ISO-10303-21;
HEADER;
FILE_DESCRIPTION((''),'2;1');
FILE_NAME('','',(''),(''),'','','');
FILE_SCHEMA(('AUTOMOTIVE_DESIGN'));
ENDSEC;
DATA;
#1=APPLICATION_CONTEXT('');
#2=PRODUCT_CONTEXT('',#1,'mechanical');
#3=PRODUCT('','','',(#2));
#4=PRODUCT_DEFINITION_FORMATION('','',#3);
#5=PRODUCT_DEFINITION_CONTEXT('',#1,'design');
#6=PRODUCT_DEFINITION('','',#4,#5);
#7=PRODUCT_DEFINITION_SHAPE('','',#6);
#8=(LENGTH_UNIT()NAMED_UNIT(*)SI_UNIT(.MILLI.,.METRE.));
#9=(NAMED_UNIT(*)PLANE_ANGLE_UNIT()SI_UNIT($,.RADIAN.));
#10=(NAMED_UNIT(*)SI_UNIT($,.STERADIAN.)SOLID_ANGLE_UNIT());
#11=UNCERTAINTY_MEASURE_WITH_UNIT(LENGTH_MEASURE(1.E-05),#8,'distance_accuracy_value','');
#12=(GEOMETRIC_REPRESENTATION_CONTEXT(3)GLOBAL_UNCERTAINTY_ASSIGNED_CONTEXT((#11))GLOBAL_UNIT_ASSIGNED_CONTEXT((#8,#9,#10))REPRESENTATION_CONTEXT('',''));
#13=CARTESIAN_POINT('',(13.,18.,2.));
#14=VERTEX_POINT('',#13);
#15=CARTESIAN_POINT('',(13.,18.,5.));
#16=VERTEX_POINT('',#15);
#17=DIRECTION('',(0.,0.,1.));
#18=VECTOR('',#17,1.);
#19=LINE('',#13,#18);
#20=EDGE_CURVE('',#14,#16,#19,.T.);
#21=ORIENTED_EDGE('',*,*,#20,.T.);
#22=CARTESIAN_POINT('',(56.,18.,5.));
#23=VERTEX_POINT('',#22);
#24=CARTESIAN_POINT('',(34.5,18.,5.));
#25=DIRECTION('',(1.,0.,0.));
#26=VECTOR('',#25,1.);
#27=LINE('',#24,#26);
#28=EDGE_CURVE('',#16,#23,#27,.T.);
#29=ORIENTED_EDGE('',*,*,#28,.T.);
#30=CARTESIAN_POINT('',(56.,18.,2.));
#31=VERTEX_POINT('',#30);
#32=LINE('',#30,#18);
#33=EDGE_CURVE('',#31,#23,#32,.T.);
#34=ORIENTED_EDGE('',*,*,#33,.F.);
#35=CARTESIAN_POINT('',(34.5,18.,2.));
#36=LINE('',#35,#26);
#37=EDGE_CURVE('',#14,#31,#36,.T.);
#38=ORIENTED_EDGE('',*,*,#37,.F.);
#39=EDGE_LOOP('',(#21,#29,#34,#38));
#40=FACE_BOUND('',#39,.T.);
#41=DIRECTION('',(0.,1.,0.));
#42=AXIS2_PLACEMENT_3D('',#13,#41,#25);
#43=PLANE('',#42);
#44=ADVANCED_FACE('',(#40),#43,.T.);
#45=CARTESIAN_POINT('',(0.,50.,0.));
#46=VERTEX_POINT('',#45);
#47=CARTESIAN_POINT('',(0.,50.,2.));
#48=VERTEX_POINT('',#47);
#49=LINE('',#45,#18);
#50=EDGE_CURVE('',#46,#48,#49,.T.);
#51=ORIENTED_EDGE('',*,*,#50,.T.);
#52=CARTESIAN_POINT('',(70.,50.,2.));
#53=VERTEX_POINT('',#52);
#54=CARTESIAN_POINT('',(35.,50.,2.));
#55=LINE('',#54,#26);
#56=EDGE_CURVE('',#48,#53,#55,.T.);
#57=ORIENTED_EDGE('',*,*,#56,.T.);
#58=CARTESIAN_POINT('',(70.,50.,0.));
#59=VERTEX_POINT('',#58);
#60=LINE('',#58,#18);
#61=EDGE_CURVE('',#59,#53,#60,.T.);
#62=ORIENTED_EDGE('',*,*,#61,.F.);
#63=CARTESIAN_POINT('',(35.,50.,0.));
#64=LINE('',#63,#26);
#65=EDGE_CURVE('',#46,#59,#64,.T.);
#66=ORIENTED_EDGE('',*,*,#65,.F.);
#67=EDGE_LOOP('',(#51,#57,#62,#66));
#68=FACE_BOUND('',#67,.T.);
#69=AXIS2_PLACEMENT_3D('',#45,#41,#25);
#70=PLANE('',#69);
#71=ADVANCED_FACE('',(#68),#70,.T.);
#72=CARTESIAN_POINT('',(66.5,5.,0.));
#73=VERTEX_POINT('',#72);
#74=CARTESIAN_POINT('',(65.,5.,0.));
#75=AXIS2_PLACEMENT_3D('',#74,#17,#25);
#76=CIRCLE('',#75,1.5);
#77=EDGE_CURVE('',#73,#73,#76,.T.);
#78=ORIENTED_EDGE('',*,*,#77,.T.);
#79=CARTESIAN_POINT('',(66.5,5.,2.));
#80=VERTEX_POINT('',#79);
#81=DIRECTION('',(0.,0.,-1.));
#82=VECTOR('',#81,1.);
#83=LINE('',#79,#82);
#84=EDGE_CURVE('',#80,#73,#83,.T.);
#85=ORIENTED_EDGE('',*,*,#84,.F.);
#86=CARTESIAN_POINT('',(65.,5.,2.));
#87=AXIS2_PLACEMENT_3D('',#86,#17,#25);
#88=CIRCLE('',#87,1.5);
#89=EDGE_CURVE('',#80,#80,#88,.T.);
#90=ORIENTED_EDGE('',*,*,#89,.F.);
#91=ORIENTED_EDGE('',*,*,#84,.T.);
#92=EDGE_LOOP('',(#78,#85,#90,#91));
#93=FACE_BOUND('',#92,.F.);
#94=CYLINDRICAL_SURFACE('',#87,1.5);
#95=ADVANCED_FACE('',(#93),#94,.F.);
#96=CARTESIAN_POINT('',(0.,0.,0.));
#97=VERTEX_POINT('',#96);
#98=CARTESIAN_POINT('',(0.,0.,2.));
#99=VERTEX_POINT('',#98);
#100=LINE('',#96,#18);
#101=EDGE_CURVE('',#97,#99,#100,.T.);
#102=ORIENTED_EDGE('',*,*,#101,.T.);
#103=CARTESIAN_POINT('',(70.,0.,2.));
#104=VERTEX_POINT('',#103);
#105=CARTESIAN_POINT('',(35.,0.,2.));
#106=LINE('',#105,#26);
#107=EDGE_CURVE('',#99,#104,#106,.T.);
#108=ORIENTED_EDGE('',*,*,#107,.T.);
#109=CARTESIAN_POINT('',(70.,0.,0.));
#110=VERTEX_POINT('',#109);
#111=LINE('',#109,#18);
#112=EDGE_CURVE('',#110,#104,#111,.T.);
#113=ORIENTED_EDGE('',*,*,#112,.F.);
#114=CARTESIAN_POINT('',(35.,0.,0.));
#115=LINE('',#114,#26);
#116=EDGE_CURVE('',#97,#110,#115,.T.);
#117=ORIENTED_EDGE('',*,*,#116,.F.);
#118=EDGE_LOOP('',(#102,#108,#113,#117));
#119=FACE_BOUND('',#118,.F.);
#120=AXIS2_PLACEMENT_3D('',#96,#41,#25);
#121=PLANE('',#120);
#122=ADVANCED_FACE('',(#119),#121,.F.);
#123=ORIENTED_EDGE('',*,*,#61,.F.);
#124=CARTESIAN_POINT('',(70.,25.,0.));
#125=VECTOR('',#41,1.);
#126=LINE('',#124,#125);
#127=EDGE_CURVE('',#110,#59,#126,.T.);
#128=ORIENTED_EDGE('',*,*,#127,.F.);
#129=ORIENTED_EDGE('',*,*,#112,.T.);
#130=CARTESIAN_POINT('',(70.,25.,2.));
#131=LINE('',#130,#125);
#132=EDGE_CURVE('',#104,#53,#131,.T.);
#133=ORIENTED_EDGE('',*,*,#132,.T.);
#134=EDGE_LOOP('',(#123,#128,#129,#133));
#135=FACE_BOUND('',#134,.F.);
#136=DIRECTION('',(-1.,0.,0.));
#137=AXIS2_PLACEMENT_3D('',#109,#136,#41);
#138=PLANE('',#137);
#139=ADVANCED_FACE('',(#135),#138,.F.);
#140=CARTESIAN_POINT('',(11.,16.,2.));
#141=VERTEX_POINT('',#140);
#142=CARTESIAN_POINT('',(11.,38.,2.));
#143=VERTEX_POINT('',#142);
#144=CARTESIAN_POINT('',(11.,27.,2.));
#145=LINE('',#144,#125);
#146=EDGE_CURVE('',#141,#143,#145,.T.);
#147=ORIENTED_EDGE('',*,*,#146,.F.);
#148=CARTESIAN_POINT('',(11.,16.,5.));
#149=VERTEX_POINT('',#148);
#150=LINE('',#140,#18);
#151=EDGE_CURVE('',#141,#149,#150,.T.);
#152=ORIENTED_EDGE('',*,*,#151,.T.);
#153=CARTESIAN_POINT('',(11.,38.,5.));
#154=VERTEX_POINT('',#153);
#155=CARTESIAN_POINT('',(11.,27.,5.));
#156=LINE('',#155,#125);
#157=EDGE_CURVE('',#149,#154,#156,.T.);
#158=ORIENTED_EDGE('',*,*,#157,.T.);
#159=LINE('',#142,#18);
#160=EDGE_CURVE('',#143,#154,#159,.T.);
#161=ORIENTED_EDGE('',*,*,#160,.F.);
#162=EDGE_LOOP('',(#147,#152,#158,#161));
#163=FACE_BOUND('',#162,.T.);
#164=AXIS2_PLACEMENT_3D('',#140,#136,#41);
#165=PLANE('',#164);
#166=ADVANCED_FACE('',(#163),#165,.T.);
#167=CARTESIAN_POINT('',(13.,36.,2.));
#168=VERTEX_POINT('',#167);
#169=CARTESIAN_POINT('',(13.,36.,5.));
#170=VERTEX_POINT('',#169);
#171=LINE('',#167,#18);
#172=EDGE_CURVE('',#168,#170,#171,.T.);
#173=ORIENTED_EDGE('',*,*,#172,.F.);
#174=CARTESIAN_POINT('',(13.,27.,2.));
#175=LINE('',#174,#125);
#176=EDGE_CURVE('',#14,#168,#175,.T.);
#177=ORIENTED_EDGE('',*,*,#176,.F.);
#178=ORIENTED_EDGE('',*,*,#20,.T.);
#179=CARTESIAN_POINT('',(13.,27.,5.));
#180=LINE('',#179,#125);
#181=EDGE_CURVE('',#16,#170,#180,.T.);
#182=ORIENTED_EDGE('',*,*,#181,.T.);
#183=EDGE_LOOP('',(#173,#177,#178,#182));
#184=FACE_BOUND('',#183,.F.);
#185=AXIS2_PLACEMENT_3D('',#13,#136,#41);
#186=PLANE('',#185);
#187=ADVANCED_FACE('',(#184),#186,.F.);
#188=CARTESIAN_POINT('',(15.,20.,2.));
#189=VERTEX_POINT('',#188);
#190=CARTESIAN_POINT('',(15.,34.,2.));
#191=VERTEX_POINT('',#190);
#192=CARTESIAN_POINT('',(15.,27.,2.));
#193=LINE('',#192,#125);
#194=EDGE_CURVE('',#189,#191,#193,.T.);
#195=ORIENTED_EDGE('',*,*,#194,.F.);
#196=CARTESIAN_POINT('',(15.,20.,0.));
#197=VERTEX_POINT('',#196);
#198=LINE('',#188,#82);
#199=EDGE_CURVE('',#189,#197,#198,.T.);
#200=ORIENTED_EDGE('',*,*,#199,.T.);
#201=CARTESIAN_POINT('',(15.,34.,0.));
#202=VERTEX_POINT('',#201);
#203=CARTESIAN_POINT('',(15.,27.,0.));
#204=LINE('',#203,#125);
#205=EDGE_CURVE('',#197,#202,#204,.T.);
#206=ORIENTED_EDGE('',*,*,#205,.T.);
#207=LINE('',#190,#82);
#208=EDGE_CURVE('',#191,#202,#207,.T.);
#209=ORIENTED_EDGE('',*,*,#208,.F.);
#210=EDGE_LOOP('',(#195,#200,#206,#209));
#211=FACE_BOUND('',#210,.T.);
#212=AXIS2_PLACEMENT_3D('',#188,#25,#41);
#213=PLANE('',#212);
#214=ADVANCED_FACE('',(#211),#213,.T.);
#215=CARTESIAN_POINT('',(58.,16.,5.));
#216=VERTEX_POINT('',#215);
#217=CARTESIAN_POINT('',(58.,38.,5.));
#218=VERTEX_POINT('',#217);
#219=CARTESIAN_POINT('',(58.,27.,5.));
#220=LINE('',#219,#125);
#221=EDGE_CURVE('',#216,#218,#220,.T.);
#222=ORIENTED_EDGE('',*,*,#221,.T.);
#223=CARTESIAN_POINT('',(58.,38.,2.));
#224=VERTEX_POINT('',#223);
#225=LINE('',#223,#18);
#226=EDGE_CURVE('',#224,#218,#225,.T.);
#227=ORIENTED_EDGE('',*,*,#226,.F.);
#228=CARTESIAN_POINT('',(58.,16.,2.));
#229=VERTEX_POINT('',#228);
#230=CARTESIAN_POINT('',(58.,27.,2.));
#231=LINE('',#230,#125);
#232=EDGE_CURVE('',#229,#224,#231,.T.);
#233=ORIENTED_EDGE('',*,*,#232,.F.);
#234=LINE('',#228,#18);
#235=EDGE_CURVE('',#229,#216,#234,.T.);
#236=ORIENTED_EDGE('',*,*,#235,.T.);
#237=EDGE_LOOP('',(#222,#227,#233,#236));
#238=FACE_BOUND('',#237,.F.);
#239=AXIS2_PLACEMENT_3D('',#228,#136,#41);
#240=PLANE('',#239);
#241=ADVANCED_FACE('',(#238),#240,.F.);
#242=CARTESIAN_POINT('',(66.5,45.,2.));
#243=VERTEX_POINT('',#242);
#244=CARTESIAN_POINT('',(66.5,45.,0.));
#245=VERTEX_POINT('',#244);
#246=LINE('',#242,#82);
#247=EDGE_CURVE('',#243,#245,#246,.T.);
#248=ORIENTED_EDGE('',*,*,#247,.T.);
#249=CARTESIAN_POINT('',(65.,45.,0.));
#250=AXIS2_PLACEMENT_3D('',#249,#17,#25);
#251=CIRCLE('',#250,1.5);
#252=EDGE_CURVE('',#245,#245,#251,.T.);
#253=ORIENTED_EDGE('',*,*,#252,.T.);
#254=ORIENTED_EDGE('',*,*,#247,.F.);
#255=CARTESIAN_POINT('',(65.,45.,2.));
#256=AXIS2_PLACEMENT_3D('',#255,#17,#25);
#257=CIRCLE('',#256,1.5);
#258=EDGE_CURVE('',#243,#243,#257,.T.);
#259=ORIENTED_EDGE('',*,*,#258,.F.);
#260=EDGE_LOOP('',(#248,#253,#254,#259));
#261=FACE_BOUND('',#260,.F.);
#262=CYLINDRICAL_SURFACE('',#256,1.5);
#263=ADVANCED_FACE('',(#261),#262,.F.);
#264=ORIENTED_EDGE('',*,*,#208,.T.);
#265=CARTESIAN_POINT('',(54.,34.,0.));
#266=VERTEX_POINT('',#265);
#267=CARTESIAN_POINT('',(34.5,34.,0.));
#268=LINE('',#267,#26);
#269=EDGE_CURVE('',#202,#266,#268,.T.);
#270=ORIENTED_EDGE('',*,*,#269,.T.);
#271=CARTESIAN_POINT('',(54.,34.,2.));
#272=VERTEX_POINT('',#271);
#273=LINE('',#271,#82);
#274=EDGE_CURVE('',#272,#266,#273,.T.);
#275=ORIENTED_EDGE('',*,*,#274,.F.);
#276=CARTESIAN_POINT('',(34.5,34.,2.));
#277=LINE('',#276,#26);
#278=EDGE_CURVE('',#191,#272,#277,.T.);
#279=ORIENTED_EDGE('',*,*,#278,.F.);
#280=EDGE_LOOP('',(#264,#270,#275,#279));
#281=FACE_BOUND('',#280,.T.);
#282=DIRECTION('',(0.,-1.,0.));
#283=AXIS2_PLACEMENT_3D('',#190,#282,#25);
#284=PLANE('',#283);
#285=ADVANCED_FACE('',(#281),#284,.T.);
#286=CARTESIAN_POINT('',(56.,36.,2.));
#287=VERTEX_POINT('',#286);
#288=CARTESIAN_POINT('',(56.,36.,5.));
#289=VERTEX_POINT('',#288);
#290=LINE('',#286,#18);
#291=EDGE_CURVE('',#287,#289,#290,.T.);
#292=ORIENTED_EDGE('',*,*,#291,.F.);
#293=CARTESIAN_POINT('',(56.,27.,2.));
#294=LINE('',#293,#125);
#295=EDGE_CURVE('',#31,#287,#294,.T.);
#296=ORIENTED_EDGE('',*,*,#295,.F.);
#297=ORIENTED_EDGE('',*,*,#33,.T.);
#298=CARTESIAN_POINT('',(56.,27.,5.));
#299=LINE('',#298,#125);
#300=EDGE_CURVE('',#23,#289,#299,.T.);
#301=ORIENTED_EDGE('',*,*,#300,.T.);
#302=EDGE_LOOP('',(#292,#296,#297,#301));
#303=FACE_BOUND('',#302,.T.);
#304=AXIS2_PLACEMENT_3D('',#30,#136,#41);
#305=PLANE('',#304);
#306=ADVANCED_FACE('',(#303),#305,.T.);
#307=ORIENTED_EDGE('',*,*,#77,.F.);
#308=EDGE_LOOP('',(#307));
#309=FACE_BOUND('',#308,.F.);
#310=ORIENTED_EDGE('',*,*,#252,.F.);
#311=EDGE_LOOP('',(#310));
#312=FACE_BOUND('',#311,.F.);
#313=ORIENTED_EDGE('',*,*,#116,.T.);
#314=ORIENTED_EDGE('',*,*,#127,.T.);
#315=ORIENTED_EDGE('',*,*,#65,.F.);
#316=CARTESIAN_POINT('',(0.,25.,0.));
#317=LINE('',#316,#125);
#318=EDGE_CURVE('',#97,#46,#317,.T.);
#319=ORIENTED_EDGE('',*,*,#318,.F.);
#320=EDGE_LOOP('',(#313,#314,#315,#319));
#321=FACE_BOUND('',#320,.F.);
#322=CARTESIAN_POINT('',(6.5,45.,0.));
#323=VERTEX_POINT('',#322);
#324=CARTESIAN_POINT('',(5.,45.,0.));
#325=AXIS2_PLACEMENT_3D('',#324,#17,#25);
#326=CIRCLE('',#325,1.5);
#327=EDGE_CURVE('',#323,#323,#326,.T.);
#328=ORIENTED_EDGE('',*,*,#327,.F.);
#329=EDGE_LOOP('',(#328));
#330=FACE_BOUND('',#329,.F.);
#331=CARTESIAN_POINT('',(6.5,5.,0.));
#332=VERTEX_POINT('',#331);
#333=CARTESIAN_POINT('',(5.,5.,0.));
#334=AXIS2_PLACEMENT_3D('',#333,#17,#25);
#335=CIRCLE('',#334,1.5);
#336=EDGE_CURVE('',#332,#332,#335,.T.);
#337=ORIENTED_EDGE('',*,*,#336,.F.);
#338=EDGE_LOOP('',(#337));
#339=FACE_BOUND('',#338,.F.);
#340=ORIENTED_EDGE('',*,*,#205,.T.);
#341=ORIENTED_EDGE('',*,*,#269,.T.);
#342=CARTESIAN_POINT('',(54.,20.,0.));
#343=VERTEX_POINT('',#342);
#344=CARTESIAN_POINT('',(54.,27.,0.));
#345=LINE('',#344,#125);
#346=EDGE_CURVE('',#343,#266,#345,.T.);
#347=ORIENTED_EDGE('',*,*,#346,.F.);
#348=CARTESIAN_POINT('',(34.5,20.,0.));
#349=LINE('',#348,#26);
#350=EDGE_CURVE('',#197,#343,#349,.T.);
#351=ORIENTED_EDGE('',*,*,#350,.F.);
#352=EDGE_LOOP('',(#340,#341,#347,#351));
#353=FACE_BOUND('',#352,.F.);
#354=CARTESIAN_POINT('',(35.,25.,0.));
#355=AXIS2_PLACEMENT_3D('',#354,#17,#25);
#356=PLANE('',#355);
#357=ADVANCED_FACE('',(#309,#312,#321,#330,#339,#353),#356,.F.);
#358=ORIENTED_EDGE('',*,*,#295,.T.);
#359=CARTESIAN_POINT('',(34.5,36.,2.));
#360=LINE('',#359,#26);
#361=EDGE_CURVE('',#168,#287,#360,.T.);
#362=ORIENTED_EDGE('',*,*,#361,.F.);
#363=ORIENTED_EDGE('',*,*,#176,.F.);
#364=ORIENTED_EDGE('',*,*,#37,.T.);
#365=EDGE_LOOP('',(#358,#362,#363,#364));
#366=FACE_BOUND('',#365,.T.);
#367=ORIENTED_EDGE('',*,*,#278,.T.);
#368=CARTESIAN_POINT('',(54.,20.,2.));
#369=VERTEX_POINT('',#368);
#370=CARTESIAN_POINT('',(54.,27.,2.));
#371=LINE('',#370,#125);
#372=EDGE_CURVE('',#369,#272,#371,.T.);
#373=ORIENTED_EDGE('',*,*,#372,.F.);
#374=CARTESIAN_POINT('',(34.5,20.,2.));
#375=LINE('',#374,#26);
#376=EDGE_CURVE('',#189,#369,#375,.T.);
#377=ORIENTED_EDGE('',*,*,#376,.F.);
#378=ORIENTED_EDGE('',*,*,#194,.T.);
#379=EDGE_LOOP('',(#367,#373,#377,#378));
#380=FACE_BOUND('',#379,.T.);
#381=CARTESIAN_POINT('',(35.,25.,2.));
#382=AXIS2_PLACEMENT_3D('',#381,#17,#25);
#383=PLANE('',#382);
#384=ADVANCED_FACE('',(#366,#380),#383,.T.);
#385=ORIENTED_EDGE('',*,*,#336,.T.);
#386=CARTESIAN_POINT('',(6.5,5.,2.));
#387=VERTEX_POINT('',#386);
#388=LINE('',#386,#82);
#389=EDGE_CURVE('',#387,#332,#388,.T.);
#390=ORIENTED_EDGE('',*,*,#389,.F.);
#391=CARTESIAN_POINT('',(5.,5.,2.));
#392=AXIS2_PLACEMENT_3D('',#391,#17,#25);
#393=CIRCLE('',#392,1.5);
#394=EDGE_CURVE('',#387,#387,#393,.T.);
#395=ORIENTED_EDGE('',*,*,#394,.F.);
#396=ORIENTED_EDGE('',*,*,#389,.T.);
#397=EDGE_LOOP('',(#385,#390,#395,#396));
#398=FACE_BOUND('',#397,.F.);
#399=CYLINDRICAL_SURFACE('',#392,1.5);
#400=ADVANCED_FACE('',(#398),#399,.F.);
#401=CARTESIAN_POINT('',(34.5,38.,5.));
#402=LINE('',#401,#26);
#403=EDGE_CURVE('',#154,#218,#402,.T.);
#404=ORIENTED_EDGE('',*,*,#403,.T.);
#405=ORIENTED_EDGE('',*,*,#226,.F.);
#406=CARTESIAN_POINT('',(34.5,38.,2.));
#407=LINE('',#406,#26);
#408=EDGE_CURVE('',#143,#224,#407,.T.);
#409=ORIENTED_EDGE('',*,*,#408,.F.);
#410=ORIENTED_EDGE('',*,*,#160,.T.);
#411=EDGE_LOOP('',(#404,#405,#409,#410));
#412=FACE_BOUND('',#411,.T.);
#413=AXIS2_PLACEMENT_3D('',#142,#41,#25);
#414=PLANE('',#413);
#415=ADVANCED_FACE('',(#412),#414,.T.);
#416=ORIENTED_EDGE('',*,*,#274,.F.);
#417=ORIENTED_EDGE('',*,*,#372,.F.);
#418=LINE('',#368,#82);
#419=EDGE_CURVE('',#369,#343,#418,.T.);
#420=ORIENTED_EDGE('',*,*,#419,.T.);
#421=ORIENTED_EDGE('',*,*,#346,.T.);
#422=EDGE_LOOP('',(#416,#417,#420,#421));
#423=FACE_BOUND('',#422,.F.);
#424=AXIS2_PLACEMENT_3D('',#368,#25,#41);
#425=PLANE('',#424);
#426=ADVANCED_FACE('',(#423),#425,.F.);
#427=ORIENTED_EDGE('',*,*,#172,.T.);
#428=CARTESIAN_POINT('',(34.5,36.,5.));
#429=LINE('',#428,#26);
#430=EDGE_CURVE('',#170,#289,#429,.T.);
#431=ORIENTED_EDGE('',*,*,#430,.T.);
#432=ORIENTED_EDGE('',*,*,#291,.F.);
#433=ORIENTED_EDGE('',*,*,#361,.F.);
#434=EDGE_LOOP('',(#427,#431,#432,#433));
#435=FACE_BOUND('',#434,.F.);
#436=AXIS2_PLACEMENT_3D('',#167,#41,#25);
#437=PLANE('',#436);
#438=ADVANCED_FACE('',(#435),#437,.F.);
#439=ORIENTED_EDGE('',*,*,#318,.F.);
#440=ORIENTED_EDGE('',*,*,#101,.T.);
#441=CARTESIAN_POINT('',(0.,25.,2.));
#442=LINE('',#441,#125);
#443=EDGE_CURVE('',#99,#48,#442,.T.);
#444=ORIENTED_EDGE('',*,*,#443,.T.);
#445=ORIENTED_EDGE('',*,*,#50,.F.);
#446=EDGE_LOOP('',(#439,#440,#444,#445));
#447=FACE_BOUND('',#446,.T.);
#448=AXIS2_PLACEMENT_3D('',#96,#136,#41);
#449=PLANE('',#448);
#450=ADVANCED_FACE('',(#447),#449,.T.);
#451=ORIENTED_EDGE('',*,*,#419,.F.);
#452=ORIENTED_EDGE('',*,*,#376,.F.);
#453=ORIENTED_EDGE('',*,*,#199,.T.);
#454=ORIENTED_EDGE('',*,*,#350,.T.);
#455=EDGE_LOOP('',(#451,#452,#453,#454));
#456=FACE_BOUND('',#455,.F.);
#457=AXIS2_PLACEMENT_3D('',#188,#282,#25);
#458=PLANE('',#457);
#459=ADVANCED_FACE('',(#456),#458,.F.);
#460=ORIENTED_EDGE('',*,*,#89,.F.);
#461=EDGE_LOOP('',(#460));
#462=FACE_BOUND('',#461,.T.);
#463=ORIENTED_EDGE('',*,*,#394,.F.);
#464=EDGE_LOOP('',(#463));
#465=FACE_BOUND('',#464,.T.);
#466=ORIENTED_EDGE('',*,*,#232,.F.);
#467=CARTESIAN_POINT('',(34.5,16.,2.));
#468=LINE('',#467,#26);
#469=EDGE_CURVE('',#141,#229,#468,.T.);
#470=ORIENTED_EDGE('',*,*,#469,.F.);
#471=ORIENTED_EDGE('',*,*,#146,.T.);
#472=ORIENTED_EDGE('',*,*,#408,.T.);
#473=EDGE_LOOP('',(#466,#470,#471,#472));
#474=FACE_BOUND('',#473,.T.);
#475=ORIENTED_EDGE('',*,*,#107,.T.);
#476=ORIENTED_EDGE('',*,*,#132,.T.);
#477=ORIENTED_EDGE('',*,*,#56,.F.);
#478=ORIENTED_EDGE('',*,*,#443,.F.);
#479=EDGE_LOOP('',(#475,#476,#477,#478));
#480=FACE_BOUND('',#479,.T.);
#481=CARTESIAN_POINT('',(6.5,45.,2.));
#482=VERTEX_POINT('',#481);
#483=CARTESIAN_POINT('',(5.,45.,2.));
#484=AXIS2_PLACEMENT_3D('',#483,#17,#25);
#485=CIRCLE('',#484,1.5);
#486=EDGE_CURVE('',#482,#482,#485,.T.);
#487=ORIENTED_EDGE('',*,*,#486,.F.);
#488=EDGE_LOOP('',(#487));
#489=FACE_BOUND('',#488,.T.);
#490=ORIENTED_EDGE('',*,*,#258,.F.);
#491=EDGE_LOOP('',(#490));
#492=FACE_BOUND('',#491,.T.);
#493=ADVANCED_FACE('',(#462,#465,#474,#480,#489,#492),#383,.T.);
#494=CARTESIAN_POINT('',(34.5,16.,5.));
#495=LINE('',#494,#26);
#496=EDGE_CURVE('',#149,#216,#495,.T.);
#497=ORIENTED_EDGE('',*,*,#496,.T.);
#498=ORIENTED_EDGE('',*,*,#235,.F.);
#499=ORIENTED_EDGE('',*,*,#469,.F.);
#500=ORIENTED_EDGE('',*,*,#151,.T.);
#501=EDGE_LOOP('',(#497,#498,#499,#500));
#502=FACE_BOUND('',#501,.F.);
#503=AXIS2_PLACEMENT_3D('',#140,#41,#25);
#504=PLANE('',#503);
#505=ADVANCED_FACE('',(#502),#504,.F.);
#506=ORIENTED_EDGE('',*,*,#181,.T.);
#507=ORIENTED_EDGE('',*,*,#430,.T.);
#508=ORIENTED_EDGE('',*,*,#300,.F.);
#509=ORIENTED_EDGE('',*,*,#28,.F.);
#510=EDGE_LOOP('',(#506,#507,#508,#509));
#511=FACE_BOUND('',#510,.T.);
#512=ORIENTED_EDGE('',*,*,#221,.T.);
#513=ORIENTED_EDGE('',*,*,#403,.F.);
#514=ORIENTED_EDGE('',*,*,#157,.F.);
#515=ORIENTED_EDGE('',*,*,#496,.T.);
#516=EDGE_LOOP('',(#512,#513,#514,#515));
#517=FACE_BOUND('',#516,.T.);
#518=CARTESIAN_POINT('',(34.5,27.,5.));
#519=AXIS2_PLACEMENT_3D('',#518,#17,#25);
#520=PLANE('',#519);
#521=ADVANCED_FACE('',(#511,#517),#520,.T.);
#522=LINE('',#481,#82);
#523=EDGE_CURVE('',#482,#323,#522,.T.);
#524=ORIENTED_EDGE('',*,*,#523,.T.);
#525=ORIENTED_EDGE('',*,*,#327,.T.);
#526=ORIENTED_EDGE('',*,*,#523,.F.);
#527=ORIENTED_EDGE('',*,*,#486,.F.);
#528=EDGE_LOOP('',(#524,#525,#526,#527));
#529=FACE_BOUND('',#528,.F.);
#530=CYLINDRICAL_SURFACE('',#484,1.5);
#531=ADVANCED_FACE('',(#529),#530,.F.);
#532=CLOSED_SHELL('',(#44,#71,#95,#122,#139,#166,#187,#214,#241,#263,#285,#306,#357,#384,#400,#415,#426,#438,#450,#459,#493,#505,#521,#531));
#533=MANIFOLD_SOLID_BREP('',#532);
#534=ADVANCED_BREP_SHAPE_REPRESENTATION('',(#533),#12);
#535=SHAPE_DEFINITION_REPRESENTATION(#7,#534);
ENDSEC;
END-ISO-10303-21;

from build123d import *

# Parameters (mm, degrees)
SKETCH_W        = 70
SKETCH_H        = 50
PAD_DEPTH       = 2
SKETCH001_R     = 1.5
POCKET_DEPTH    = 2
SKETCH002_W     = 39
SKETCH002_H     = 14
POCKET001_DEPTH = 2
SKETCH003_W     = 47
SKETCH003_H     = 22
SKETCH003_W_2   = 43
SKETCH003_H_2   = 18
PAD001_DEPTH    = 3


with BuildPart() as part:
    # Sketch → Pad (new body)
    with BuildSketch(Plane.XY):
        with Locations((35, 25)):
            Rectangle(SKETCH_W, SKETCH_H)
    extrude(amount=PAD_DEPTH)

    # Sketch001 → Pocket (cut)
    with BuildSketch(Plane.XY.offset(2)):
        with Locations((5, 45)):
            Circle(SKETCH001_R)
        with Locations((65, 45)):
            Circle(SKETCH001_R)
        with Locations((5, 5)):
            Circle(SKETCH001_R)
        with Locations((65, 5)):
            Circle(SKETCH001_R)
    extrude(amount=-POCKET_DEPTH, mode=Mode.SUBTRACT)

    # Sketch002 → Pocket001 (cut)
    with BuildSketch(Plane.XY.offset(2)):
        with Locations((34.5, 27)):
            Rectangle(SKETCH002_W, SKETCH002_H)
    extrude(amount=-POCKET001_DEPTH, mode=Mode.SUBTRACT)

    # Sketch003 → Pad001 (new body)
    with BuildSketch(Plane.XY.offset(2)):
        with Locations((34.5, 27)):
            Rectangle(SKETCH003_W, SKETCH003_H)
        with Locations((34.5, 27)):
            Rectangle(SKETCH003_W_2, SKETCH003_H_2, mode=Mode.SUBTRACT)
    extrude(amount=PAD001_DEPTH)


solid = part.part
